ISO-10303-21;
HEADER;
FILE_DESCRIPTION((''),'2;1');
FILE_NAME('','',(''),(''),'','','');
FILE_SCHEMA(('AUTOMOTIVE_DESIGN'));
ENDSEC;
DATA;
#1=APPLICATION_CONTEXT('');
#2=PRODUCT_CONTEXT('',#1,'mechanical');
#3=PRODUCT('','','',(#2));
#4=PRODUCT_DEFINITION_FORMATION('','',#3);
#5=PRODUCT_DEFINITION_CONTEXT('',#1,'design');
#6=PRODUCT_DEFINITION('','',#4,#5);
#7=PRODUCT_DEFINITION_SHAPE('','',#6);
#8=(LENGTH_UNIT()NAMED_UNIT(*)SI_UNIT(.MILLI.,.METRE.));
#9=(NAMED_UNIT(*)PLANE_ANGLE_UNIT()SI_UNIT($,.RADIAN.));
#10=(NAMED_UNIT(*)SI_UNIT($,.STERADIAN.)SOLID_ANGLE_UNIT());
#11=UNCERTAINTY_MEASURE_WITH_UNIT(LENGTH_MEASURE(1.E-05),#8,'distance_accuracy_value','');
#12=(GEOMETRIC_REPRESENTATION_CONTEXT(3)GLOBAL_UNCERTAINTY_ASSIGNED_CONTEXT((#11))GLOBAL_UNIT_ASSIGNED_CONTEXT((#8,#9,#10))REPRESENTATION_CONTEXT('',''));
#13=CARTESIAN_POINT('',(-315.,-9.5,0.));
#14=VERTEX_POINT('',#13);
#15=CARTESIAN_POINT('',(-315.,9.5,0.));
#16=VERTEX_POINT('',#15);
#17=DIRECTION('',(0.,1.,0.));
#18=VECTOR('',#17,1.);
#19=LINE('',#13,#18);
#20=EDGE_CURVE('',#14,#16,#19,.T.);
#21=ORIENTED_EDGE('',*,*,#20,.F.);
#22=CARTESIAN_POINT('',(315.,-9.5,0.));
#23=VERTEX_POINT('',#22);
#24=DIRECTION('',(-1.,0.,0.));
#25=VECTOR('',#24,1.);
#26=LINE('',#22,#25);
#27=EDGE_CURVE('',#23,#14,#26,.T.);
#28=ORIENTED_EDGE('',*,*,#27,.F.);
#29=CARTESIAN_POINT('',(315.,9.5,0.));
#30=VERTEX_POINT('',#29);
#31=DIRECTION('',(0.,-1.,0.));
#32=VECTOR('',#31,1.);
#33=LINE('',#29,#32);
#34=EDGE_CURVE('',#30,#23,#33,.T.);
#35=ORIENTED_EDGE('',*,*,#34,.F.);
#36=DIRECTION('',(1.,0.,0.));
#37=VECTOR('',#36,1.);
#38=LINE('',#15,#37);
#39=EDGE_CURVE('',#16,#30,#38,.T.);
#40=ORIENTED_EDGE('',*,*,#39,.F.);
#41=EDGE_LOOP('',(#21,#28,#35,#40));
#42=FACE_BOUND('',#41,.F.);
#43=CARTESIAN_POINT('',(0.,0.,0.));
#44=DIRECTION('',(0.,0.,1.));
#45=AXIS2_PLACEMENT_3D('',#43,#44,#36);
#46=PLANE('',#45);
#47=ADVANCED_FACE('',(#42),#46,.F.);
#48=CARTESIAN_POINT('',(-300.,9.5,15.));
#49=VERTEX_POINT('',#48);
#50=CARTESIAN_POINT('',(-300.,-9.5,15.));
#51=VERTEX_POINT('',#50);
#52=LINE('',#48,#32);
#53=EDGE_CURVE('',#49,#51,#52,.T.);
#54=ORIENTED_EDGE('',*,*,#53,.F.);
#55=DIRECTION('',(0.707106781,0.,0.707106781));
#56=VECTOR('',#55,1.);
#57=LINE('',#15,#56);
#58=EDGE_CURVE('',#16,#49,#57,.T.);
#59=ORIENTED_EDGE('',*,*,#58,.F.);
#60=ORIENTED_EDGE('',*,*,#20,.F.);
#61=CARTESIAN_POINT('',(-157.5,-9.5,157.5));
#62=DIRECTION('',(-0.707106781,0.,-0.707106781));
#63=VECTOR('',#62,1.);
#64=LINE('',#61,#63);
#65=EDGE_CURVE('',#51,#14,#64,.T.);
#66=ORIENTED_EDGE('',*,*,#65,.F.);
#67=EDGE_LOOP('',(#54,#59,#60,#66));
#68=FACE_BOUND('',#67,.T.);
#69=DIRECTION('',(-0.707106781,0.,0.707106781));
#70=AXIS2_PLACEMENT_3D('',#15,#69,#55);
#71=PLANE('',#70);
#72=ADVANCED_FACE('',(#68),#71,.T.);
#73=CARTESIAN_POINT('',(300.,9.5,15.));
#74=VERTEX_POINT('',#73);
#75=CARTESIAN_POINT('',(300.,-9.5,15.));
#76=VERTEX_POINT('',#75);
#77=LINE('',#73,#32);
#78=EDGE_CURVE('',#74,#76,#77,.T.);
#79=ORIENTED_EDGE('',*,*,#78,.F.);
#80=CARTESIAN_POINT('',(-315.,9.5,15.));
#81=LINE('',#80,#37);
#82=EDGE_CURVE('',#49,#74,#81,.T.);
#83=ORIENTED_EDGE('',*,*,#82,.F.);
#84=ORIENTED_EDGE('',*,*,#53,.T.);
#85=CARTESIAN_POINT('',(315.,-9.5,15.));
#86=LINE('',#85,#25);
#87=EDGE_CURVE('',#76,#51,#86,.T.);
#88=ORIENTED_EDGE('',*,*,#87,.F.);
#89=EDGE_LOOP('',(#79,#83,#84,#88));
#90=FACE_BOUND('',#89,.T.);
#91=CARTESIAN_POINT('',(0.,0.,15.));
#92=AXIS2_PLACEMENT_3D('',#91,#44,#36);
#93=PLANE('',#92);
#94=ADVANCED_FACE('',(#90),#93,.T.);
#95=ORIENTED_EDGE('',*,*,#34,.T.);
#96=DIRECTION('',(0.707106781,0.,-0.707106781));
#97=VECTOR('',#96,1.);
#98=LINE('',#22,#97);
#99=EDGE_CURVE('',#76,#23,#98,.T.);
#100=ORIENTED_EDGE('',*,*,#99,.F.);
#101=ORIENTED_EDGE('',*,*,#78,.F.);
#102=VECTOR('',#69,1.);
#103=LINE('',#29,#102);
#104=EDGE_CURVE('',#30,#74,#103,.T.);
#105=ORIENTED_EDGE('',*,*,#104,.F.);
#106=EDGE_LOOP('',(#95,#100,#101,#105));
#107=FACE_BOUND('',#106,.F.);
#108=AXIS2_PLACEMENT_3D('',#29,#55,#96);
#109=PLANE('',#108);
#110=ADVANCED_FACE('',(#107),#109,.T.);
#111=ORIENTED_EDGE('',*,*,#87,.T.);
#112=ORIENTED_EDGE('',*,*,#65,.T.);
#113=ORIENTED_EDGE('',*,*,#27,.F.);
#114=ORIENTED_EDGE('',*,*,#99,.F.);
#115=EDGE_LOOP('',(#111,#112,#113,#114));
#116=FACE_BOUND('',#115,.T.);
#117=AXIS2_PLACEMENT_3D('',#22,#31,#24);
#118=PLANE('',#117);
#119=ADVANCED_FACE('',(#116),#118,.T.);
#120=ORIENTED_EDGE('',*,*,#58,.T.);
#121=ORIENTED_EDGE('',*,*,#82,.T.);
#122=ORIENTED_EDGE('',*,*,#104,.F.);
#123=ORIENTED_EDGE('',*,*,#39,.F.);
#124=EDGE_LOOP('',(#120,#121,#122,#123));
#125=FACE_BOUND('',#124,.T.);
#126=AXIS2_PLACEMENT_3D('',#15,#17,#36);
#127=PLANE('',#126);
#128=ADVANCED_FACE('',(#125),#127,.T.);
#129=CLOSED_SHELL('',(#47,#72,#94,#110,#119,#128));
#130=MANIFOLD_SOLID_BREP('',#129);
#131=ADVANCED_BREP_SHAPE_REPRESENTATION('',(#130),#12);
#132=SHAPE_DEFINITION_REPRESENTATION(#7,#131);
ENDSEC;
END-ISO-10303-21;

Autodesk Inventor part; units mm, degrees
ref_plane "YZ Plane" through (0, 0, 0) normal (1, 0, 0) x (0, 1, 0)
ref_plane "XZ Plane" through (0, 0, 0) normal (0, 1, 0) x (-1, 0, 0)
ref_plane "XY Plane" through (0, 0, 0) normal (0, 0, 1) x (1, 0, 0)
sketch "Sketch1" plane through (0, 0, 0) normal (0, 0, 1) x (1, 0, 0)
  line L0 (315, -9.5) -> (-315, -9.5)
  line L1 (-315, -9.5) -> (-315, 9.5)
  line L2 (-315, 9.5) -> (315, 9.5)
  line L3 (315, 9.5) -> (315, -9.5)
  line L4 (315, -9.5) -> (-315, 9.5) construction
  line L5 (-315, -9.5) -> (315, 9.5) construction
  point P0 (0, 0)
  dimension "d0" = 630
  dimension "d1" = 19
extrude "Extrusion1" add sketch "Sketch1" along normal blind 15
sketch "Sketch2" plane through (-315, 9.5, 0) normal (0, 1, 0) x (1, 0, 0)
  line L0 (630, 0) -> (0, 0) projected
  line L1 (0, 0) -> (15, -15)
  line L2 (630, -15) -> (0, -15) projected
  line L3 (15, -15) -> (0, -15)
  line L4 (0, -15) -> (0, 0)
  point P0 (315, 0)
  dimension "d4" = 45
extrude "Extrusion2" cut sketch "Sketch2" against normal through all
mirror "Mirror1" about plane through (0, 0, 0) normal (1, 0, 0) of "Extrusion2"
ref_plane "Work Plane1" through (0, 0, 0) normal (1, 0, 0) x (0, 1, 0)
properties part number "lengthBinding"
